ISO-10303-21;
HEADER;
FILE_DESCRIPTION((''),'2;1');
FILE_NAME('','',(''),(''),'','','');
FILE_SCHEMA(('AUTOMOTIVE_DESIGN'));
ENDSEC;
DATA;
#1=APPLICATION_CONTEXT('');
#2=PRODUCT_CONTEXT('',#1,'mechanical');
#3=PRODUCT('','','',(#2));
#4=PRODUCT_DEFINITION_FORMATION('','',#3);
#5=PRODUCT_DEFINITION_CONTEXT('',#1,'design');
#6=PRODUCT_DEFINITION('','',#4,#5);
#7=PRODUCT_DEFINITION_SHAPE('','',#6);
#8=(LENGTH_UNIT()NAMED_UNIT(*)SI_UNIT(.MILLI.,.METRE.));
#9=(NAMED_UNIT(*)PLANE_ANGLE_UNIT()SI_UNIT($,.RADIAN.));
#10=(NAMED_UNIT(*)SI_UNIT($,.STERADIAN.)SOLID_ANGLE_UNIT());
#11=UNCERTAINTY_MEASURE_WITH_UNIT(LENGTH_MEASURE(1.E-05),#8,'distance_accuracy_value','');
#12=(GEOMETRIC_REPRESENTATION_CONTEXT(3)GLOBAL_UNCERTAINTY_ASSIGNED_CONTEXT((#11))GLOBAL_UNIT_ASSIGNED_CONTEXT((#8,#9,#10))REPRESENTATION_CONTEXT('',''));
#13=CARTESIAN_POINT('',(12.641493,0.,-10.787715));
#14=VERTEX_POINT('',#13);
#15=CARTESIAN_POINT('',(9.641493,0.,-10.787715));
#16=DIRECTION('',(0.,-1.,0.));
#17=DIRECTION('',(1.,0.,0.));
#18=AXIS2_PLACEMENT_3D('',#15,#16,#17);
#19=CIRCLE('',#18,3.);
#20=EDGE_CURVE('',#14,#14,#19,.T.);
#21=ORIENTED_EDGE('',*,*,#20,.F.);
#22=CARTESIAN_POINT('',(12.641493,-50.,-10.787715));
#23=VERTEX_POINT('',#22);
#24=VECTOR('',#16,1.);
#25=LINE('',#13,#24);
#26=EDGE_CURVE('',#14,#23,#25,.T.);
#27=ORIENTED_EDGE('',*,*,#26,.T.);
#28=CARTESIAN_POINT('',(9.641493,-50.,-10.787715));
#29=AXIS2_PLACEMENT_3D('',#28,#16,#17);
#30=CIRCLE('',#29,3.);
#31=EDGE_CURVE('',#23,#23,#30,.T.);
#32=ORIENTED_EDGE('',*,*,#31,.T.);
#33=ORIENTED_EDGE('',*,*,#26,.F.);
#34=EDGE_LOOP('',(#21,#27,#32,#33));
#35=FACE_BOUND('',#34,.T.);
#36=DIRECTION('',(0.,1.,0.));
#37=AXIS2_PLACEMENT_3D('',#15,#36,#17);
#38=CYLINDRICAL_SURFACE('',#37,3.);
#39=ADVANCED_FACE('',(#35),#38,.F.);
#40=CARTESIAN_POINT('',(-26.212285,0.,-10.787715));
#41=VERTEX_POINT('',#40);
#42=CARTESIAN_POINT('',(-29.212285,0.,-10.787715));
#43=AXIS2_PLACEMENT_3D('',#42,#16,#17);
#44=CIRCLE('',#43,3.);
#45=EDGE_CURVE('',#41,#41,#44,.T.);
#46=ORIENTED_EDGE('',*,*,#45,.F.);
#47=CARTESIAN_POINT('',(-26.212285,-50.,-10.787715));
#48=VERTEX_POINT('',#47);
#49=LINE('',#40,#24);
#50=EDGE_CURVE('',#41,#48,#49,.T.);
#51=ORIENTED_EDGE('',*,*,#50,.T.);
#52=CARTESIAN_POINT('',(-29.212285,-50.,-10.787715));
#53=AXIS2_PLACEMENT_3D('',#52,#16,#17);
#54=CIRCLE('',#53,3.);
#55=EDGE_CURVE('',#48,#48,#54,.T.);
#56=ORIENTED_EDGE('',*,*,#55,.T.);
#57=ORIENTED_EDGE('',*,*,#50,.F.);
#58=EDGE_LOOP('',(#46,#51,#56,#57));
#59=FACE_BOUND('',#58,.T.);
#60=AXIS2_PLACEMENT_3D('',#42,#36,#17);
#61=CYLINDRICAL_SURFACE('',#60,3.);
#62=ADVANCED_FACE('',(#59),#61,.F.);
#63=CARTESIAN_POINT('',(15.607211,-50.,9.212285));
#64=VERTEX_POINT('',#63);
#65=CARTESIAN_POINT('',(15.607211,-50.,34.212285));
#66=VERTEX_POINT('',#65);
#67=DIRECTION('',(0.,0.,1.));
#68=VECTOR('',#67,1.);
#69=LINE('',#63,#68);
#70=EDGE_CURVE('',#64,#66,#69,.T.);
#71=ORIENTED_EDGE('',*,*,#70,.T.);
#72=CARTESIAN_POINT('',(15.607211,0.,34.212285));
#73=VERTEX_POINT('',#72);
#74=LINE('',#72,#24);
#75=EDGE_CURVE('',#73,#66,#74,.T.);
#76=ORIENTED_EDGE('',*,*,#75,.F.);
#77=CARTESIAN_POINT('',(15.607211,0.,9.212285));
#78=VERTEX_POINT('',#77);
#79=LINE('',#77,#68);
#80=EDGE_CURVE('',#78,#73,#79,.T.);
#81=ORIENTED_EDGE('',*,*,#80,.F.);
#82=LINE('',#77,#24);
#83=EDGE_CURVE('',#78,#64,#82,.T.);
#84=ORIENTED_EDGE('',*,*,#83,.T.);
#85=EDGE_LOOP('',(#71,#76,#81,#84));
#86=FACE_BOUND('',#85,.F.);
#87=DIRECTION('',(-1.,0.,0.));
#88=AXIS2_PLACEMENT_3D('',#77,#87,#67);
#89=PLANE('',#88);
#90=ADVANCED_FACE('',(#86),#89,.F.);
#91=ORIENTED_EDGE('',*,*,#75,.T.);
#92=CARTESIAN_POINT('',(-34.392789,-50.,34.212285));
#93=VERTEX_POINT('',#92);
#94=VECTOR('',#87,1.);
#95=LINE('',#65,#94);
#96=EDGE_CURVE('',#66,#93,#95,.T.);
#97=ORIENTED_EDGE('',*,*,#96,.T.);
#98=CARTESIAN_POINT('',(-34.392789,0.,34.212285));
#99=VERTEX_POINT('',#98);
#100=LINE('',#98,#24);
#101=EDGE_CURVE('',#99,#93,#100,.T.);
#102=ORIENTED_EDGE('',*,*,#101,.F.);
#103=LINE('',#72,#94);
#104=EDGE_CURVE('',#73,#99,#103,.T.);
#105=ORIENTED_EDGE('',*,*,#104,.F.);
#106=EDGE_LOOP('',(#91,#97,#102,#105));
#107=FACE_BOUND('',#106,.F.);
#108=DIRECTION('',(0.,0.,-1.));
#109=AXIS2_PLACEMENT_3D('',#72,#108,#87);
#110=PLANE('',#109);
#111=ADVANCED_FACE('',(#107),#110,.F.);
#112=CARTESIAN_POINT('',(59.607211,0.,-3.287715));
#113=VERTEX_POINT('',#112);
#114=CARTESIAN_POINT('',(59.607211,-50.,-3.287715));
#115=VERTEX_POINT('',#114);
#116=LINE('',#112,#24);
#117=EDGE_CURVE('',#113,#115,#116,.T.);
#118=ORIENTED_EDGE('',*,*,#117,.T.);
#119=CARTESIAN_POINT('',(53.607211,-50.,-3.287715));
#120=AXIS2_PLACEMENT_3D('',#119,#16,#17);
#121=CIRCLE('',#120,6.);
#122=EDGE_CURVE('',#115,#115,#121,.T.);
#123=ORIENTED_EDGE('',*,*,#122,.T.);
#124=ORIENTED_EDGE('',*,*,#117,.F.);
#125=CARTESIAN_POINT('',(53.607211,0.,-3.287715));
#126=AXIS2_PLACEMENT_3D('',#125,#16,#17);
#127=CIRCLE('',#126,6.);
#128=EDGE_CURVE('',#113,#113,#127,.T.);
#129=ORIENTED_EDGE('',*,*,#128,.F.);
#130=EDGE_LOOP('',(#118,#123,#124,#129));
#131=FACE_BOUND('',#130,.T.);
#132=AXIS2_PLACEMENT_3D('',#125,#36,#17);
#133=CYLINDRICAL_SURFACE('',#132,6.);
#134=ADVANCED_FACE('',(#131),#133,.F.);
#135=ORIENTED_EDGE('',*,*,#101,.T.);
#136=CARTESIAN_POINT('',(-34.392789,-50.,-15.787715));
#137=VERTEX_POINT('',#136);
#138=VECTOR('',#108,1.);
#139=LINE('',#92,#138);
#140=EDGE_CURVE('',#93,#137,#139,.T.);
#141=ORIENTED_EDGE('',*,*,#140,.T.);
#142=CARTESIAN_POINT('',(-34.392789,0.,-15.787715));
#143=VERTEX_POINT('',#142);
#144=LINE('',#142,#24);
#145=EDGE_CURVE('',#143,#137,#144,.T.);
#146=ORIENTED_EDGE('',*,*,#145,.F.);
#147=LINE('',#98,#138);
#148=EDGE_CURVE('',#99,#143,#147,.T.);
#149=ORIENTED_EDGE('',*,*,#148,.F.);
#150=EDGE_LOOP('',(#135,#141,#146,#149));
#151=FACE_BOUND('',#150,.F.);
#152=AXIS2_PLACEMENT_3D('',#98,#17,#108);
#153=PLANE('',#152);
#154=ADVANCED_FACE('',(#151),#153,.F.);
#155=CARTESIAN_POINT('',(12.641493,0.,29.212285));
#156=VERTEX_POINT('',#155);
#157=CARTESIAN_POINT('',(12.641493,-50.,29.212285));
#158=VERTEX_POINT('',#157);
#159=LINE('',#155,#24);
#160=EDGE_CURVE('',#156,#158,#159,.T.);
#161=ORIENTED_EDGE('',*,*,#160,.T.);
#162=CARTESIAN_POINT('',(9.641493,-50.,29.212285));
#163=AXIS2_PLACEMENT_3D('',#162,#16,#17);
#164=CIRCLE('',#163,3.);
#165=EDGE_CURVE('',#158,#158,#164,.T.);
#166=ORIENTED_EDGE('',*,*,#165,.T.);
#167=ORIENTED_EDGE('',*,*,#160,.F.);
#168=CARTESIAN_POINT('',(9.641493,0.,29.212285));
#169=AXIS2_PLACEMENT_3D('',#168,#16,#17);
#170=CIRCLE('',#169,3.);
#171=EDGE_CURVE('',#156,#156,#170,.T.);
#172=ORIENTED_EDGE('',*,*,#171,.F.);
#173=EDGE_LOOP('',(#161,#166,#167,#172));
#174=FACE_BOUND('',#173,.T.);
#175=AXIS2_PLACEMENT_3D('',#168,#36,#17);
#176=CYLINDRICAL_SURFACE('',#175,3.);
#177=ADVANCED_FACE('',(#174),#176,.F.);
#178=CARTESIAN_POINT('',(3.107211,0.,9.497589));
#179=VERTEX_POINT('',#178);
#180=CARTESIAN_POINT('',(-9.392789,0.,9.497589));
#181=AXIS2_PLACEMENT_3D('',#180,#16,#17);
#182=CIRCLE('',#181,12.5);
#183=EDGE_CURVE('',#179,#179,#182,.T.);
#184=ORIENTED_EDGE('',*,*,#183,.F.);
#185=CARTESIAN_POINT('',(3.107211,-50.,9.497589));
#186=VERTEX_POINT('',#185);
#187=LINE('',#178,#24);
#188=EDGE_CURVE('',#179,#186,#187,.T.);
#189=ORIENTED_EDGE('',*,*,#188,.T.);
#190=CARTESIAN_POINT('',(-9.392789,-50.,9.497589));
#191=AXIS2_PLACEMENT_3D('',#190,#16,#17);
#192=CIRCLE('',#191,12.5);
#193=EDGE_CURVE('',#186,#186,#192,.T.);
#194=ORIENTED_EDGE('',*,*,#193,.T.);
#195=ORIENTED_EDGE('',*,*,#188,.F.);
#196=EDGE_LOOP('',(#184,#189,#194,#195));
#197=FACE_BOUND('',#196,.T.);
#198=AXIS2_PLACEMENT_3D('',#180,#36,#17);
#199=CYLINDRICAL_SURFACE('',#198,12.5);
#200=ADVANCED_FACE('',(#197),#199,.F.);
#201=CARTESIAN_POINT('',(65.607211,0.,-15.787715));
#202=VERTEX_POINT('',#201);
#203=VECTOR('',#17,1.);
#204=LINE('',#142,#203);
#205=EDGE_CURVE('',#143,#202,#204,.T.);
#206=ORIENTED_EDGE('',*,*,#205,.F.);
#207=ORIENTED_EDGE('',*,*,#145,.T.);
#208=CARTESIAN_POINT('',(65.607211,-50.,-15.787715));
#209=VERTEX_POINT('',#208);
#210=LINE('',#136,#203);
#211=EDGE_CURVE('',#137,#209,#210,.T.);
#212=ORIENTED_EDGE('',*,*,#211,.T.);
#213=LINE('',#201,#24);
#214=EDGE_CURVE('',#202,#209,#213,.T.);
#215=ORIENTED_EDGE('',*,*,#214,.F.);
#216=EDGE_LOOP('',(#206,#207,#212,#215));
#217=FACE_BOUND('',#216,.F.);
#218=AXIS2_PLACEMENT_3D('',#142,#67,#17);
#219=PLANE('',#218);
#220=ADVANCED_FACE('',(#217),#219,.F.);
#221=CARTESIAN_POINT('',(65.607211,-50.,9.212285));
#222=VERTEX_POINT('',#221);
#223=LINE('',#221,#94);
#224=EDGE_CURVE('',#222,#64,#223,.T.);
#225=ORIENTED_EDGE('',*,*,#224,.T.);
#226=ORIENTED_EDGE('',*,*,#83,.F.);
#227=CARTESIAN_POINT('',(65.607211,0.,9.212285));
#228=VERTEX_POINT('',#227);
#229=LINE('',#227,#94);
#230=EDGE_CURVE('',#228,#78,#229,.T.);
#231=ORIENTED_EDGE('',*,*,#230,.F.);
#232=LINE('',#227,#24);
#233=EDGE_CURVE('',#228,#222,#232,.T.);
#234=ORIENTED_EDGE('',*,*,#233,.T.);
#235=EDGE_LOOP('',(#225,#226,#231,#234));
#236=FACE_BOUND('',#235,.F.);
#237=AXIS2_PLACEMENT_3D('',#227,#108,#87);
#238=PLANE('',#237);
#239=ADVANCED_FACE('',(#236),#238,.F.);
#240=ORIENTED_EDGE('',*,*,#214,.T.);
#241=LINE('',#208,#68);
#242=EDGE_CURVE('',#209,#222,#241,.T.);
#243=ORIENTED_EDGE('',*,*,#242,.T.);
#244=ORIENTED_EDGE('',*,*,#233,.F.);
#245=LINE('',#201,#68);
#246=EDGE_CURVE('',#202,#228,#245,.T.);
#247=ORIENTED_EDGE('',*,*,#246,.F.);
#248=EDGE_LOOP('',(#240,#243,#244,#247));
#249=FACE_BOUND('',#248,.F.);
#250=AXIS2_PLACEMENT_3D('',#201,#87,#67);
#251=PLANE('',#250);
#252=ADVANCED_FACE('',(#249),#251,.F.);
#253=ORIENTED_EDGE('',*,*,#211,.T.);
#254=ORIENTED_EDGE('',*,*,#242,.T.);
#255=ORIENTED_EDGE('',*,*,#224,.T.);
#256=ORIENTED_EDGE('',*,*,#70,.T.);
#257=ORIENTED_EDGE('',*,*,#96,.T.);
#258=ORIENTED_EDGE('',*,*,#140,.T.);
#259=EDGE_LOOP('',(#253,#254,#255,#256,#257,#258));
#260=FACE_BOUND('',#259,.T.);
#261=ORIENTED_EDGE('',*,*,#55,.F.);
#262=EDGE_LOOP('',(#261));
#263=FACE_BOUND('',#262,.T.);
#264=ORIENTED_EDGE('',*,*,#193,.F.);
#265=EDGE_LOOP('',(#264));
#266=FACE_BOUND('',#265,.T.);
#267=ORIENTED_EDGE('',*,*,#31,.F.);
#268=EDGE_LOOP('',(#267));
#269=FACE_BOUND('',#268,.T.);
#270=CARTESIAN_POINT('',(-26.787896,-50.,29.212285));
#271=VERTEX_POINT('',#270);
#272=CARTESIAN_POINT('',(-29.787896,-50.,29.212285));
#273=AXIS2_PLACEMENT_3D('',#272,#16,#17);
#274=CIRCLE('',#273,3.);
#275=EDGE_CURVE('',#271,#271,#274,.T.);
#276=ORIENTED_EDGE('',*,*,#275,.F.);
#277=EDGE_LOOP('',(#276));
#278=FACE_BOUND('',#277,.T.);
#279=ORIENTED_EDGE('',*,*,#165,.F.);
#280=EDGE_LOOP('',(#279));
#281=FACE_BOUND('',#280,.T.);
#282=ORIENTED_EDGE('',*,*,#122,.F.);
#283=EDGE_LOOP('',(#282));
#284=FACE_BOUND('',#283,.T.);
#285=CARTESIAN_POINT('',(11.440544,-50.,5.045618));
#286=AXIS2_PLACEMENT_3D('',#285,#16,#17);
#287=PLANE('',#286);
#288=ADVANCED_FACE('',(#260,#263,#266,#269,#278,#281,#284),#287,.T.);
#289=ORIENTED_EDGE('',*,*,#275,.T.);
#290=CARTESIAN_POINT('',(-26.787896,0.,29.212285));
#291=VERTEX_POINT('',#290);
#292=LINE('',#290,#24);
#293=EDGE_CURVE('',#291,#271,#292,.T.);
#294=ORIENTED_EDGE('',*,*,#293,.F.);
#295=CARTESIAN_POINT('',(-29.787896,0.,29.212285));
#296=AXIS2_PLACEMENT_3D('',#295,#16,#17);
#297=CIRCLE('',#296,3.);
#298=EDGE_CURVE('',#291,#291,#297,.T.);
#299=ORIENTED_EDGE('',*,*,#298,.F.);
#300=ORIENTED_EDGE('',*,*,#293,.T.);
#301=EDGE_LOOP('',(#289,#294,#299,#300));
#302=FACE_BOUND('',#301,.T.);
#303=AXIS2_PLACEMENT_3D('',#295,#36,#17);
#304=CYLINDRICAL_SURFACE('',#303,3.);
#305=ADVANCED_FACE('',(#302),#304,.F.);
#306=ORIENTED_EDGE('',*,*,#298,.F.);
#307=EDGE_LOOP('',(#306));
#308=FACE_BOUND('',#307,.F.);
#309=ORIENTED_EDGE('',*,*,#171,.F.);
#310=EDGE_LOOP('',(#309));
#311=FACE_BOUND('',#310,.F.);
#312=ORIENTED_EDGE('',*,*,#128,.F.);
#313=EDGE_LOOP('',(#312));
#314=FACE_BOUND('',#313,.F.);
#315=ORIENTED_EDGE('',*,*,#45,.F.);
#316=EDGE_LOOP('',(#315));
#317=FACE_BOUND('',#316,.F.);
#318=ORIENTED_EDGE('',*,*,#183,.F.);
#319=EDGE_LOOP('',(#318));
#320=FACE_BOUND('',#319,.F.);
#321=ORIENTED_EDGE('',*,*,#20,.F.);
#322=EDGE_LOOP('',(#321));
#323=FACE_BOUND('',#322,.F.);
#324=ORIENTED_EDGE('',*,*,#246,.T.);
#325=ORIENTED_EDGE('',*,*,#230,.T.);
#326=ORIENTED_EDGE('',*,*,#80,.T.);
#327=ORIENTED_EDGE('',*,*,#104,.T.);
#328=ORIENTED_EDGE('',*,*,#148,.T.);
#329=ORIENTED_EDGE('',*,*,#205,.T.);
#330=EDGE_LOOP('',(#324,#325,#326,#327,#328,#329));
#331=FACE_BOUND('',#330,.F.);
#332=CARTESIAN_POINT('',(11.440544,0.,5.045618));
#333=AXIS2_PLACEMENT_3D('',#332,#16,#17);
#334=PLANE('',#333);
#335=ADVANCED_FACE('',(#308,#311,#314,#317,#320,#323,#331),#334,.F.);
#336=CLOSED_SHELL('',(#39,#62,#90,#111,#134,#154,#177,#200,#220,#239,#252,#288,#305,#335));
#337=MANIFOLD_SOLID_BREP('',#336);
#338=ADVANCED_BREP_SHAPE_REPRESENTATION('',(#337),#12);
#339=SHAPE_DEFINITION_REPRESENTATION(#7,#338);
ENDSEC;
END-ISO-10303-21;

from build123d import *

# Parameters (mm, degrees)
F0_R     = 3
F0_R_2   = 6
F0_R_3   = 12.5
F1_DEPTH = 50


with BuildPart() as f1:
    # F0 (on Front) → F1 (new body)
    with BuildSketch(Plane.XZ):
        Polygon((15.607211, 34.212285), (-34.392789, 34.212285), (-34.392789, -15.787715), (65.607211, -15.787715), (65.607211, 9.212285), (15.607211, 9.212285), align=None)
        with Locations((-29.212285, -10.787715)):
            Circle(F0_R, mode=Mode.SUBTRACT)
        with Locations((9.641493, -10.787715)):
            Circle(F0_R, mode=Mode.SUBTRACT)
        with Locations((53.607211, -3.287715)):
            Circle(F0_R_2, mode=Mode.SUBTRACT)
        with Locations((-9.392789, 9.497589)):
            Circle(F0_R_3, mode=Mode.SUBTRACT)
        with Locations((-29.787896, 29.212285)):
            Circle(F0_R, mode=Mode.SUBTRACT)
        with Locations((9.641493, 29.212285)):
            Circle(F0_R, mode=Mode.SUBTRACT)
    extrude(amount=F1_DEPTH)


solid = f1.part
